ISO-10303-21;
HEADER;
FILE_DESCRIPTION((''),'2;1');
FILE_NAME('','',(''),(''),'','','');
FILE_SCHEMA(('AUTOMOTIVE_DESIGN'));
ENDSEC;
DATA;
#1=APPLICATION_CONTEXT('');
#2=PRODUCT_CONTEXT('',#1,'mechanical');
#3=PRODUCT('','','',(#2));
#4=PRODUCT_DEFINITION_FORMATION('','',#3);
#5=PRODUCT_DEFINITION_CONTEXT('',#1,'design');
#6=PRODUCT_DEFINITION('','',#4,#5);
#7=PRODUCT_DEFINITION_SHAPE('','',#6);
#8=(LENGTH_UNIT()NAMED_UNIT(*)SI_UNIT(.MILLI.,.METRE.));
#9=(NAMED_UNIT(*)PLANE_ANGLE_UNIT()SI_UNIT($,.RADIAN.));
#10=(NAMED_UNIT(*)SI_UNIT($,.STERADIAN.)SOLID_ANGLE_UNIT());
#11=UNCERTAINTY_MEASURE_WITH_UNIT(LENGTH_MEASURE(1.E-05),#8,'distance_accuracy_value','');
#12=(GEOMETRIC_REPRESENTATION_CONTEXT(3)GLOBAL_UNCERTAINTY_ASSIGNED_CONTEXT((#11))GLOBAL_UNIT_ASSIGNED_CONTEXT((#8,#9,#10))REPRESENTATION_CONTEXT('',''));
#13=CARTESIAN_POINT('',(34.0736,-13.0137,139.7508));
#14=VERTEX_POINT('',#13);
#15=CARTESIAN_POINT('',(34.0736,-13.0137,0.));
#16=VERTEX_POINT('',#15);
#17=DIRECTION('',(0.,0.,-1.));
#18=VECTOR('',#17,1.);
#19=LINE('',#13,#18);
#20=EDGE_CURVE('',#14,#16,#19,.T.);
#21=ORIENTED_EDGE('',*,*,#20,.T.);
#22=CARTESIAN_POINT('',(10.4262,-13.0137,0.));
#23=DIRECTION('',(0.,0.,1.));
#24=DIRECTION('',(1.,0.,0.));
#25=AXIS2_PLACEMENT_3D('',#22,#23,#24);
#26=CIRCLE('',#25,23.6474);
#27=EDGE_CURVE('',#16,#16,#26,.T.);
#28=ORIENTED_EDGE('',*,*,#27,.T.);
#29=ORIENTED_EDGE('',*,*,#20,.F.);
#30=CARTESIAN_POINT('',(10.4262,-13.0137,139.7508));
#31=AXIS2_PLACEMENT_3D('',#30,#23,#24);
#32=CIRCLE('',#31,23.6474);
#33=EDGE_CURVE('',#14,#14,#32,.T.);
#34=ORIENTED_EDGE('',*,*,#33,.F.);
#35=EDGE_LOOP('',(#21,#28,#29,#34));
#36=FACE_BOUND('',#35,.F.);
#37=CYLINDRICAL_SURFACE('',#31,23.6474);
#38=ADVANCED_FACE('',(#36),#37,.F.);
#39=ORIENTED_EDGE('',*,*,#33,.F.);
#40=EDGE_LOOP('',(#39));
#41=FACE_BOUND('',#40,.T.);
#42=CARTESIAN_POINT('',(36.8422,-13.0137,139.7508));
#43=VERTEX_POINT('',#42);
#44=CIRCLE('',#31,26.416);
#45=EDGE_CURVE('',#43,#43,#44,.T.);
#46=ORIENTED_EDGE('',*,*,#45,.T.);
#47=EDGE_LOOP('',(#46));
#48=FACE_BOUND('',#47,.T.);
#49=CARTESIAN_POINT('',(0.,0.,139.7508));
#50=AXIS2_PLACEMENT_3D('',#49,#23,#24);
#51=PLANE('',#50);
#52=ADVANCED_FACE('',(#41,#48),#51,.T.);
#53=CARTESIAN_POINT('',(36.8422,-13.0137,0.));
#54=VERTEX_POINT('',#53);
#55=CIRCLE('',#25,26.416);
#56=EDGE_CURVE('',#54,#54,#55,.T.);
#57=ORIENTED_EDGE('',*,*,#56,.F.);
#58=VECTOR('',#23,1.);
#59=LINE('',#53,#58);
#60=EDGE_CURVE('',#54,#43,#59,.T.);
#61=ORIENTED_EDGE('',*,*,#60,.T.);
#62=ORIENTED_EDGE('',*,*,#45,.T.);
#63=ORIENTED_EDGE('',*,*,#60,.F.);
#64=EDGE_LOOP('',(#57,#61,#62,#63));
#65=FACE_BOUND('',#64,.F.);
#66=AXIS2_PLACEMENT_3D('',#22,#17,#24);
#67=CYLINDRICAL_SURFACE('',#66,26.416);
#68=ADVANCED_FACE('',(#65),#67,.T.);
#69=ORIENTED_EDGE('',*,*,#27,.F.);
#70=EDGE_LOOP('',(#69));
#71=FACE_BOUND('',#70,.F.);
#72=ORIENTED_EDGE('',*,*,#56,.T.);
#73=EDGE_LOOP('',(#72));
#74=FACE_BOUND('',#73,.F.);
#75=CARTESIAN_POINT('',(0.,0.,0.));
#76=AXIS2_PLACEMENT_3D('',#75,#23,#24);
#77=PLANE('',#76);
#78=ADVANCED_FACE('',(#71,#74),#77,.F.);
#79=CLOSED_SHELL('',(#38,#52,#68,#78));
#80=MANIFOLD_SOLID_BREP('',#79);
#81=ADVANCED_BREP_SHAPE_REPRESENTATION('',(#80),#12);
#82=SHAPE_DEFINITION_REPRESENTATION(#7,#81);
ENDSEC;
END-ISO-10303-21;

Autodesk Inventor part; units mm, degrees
ref_plane "XZ Plane" through (0, 0, 0) normal (0, 1, 0) x (-1, 0, 0)
ref_plane "XY Plane" through (0, 0, 0) normal (0, 0, 1) x (1, 0, 0)
sketch "Sketch1" plane through (0, 0, 0) normal (0, 0, 1) x (1, 0, 0)
  circle A0 centre (10.4262, -13.0137) radius 26.416
  point P0 (0, 0)
  dimension "d0" = 52.832
extrude "Extrusion1" add sketch "Sketch1" along normal blind 139.7508
ref_plane "Work Plane1" through (38.1, 0, 0) normal (1, 0, 0) x (0, 1, 0)
sketch "Sketch2" plane through (38.1, 0, 0) normal (1, 0, 0) x (0, 1, 0)
  point P0 (0, 0)
sketch "Sketch3" plane through (10.4262, -13.0137, 139.7508) normal (0, 0, 1) x (1, 0, 0)
  circle A0 centre (0, 0) radius 26.416 projected
  circle A1 centre (0, 0) radius 23.6474
  point P0 (-10.4262, 13.0137)
  dimension "d14" = 47.2948
extrude "Extrusion2" cut sketch "Sketch3" against normal through all contours A1
sketch "Sketch4" plane through (38.1, 0, 0) normal (1, 0, 0) x (0, 1, 0)
  line L0 (-39.4297, 139.7508) -> (13.4023, 139.7508) projected
  line L1 (-39.4297, 0) -> (13.4023, 0) projected
  line L2 (13.4023, 0) -> (13.4023, 139.7508) projected
  line L3 (-39.4297, 0) -> (-39.4297, 139.7508) projected
  line L4 (6.3845, 98.8211) -> (6.3845, 39.2899) construction
  line L5 (6.3845, 39.2899) -> (-32.2447, 39.2899) construction
  line L6 (-32.2447, 39.2899) -> (-32.2447, 98.8211) construction
  line L7 (-32.2447, 98.8211) -> (6.3845, 98.8211) construction
  point P0 (0, 0)
decal "Decal1"
properties part number "Accumulator Tank 1764"
